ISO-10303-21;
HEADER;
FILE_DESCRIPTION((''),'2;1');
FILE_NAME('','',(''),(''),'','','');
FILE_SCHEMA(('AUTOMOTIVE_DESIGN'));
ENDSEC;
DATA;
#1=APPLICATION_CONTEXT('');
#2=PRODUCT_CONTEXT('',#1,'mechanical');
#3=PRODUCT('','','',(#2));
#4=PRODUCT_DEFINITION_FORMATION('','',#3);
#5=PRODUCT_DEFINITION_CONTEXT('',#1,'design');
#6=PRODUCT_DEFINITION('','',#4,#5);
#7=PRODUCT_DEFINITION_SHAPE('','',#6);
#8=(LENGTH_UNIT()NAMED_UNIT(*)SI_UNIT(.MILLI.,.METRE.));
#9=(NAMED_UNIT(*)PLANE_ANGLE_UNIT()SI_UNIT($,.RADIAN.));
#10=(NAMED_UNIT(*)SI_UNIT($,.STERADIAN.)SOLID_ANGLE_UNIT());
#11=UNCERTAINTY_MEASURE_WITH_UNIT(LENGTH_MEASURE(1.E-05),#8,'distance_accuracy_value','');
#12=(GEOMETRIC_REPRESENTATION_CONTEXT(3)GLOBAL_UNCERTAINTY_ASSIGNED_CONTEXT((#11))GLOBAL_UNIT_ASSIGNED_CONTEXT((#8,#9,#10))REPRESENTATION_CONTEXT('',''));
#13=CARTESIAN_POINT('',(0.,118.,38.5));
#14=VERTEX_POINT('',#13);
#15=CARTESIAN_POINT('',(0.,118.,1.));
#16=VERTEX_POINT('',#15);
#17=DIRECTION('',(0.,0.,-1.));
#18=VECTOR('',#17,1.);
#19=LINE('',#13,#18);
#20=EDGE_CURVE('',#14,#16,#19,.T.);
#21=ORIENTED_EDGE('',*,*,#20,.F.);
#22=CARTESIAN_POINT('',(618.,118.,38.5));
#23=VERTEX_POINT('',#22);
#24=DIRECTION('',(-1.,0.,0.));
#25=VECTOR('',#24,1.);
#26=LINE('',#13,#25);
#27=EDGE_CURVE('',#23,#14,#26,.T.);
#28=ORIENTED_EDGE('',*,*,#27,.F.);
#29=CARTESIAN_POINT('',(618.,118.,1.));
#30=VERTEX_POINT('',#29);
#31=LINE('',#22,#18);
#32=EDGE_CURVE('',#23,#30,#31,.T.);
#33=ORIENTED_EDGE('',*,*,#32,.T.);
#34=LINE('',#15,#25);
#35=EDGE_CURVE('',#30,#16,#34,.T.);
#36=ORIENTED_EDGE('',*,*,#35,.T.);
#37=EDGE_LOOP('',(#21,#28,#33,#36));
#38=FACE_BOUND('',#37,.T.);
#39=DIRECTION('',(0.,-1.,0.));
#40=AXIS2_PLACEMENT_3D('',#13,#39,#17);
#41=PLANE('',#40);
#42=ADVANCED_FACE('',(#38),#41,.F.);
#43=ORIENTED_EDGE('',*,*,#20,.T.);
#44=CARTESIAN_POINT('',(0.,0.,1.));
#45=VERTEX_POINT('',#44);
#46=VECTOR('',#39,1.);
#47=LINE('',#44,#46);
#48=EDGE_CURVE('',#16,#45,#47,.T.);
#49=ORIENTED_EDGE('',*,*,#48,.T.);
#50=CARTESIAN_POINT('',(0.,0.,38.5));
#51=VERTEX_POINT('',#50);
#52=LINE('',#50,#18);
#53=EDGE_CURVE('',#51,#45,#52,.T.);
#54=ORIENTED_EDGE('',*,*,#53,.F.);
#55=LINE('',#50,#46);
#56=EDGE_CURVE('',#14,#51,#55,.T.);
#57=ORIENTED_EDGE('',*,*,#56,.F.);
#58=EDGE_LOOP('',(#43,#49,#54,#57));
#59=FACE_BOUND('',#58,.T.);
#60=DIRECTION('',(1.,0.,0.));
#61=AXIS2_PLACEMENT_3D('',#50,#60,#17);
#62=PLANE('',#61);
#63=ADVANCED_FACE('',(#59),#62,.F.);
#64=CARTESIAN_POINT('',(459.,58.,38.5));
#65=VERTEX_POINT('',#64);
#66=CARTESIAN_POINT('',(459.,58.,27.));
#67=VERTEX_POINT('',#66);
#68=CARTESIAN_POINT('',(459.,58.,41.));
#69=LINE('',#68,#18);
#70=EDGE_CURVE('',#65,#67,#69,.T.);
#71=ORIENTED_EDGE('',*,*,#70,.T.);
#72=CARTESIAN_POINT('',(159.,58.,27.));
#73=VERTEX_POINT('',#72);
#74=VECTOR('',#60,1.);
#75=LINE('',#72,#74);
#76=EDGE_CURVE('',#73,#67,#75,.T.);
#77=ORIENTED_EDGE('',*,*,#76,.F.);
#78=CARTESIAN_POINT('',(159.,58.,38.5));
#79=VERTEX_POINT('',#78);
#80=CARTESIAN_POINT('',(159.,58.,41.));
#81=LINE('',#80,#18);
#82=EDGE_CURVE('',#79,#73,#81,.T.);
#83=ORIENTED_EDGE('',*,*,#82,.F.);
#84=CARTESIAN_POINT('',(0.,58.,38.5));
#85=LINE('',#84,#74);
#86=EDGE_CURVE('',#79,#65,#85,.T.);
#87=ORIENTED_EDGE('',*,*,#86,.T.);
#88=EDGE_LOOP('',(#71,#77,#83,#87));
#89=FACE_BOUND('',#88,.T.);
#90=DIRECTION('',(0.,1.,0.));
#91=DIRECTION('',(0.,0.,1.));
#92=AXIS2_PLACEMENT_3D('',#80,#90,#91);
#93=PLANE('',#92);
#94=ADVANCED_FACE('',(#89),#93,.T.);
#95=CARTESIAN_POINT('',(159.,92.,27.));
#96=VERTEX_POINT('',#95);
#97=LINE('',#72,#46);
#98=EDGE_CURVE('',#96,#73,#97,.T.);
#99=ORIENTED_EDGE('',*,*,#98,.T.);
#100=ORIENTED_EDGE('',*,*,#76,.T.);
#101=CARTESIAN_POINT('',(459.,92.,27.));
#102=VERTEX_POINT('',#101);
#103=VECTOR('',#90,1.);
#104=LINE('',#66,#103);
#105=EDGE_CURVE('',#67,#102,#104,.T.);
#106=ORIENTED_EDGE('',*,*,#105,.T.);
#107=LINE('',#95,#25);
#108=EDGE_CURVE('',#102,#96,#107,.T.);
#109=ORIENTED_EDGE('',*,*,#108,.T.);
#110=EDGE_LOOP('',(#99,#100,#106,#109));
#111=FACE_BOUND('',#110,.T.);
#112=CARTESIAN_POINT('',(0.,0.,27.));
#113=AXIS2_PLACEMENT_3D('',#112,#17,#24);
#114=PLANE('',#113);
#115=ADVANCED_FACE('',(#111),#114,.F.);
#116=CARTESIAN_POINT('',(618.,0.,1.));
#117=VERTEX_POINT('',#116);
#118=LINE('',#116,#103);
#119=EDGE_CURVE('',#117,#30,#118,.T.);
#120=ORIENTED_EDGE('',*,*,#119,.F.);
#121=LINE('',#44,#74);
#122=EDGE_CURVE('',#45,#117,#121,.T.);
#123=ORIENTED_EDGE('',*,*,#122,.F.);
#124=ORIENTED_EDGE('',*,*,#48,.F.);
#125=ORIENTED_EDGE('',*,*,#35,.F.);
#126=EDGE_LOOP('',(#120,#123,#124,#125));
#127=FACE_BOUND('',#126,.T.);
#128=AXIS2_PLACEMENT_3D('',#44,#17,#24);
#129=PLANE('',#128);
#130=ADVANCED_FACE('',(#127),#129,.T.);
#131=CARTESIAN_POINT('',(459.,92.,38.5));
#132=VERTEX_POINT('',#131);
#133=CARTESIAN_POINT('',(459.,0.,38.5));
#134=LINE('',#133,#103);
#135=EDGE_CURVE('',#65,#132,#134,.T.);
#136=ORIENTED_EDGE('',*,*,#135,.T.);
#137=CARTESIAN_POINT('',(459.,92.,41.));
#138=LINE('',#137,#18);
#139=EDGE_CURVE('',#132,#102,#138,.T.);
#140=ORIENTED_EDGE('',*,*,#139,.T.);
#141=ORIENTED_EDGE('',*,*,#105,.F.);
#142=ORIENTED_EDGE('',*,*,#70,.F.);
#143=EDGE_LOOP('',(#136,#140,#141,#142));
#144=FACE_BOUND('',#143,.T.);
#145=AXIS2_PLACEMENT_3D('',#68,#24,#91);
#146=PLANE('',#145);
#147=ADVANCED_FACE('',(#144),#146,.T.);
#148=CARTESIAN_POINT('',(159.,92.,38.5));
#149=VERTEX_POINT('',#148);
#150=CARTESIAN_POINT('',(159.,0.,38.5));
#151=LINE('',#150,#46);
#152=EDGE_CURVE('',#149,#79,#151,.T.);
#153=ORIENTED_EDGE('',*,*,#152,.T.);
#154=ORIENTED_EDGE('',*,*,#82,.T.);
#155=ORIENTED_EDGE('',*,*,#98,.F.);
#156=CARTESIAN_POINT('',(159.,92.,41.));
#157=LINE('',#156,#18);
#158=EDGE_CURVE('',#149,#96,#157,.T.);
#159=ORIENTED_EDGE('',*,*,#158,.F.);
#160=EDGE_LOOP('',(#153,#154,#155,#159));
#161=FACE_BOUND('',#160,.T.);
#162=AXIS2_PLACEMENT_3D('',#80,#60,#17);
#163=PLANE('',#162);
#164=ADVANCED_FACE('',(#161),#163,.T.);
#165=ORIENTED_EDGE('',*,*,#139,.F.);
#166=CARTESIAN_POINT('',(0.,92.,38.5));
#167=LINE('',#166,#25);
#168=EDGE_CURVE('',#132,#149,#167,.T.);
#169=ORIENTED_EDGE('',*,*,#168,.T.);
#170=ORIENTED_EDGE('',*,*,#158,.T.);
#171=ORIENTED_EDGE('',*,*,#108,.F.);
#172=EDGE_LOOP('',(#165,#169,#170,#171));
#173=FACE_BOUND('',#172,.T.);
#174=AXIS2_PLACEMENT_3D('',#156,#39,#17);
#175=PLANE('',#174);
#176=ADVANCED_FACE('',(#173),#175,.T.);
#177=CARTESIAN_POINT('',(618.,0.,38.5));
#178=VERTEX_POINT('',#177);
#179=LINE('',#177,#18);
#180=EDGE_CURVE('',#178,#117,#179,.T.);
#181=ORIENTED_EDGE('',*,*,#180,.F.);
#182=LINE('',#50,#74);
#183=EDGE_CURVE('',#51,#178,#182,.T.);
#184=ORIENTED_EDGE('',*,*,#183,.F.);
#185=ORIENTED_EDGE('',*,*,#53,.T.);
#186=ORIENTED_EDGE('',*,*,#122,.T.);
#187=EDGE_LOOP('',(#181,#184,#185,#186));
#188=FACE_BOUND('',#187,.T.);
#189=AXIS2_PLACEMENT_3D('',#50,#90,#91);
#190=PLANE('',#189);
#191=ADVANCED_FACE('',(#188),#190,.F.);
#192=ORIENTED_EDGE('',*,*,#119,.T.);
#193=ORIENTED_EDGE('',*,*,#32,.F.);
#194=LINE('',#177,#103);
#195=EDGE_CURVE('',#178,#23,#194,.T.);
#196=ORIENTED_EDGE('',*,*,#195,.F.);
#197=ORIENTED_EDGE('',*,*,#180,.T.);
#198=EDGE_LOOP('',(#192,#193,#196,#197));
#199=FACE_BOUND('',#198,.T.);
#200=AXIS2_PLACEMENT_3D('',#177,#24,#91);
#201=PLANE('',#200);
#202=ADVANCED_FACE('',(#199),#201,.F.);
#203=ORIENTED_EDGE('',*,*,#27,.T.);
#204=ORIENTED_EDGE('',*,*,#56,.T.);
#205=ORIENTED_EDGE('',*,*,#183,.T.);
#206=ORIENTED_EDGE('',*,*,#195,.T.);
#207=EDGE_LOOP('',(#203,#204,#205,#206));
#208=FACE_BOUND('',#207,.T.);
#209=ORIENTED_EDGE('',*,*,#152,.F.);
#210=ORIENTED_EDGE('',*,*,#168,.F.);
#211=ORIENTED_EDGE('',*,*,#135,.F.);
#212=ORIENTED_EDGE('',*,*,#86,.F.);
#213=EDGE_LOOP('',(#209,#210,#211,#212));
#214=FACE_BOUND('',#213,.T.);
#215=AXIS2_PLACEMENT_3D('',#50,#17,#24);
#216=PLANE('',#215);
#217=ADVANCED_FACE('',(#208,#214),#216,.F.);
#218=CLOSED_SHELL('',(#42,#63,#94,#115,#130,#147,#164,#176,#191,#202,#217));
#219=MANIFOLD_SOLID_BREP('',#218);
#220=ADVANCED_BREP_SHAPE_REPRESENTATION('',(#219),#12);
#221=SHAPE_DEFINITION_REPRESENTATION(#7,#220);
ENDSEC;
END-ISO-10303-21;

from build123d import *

# Parameters (mm, degrees)
CEK_ICECEK_ON_PU_37_5_1_START = 1
SKETCH1_W                     = 618
SKETCH1_H                     = 118
CEK_ICECEK_ON_PU_37_5_1_DEPTH = 37.5
CEK_ICECEK_ON_PU_37_5_2_START = 27
SKETCH2_W                     = 300
SKETCH2_H                     = 34
CEK_ICECEK_ON_PU_37_5_2_DEPTH = 14


with BuildPart() as part:
    # Sketch1 → CEK_icecek_on_pu_37.5_1 (new body)
    with BuildSketch(Plane.XY.offset(CEK_ICECEK_ON_PU_37_5_1_START)):
        with Locations((309, 59)):
            Rectangle(SKETCH1_W, SKETCH1_H)
    extrude(amount=CEK_ICECEK_ON_PU_37_5_1_DEPTH)

    # Sketch2 → CEK_icecek_on_pu_37.5_2 (cut)
    with BuildSketch(Plane.XY.offset(CEK_ICECEK_ON_PU_37_5_2_START)):
        with Locations((309, 75)):
            Rectangle(SKETCH2_W, SKETCH2_H)
    extrude(amount=CEK_ICECEK_ON_PU_37_5_2_DEPTH, mode=Mode.SUBTRACT)


solid = part.part
